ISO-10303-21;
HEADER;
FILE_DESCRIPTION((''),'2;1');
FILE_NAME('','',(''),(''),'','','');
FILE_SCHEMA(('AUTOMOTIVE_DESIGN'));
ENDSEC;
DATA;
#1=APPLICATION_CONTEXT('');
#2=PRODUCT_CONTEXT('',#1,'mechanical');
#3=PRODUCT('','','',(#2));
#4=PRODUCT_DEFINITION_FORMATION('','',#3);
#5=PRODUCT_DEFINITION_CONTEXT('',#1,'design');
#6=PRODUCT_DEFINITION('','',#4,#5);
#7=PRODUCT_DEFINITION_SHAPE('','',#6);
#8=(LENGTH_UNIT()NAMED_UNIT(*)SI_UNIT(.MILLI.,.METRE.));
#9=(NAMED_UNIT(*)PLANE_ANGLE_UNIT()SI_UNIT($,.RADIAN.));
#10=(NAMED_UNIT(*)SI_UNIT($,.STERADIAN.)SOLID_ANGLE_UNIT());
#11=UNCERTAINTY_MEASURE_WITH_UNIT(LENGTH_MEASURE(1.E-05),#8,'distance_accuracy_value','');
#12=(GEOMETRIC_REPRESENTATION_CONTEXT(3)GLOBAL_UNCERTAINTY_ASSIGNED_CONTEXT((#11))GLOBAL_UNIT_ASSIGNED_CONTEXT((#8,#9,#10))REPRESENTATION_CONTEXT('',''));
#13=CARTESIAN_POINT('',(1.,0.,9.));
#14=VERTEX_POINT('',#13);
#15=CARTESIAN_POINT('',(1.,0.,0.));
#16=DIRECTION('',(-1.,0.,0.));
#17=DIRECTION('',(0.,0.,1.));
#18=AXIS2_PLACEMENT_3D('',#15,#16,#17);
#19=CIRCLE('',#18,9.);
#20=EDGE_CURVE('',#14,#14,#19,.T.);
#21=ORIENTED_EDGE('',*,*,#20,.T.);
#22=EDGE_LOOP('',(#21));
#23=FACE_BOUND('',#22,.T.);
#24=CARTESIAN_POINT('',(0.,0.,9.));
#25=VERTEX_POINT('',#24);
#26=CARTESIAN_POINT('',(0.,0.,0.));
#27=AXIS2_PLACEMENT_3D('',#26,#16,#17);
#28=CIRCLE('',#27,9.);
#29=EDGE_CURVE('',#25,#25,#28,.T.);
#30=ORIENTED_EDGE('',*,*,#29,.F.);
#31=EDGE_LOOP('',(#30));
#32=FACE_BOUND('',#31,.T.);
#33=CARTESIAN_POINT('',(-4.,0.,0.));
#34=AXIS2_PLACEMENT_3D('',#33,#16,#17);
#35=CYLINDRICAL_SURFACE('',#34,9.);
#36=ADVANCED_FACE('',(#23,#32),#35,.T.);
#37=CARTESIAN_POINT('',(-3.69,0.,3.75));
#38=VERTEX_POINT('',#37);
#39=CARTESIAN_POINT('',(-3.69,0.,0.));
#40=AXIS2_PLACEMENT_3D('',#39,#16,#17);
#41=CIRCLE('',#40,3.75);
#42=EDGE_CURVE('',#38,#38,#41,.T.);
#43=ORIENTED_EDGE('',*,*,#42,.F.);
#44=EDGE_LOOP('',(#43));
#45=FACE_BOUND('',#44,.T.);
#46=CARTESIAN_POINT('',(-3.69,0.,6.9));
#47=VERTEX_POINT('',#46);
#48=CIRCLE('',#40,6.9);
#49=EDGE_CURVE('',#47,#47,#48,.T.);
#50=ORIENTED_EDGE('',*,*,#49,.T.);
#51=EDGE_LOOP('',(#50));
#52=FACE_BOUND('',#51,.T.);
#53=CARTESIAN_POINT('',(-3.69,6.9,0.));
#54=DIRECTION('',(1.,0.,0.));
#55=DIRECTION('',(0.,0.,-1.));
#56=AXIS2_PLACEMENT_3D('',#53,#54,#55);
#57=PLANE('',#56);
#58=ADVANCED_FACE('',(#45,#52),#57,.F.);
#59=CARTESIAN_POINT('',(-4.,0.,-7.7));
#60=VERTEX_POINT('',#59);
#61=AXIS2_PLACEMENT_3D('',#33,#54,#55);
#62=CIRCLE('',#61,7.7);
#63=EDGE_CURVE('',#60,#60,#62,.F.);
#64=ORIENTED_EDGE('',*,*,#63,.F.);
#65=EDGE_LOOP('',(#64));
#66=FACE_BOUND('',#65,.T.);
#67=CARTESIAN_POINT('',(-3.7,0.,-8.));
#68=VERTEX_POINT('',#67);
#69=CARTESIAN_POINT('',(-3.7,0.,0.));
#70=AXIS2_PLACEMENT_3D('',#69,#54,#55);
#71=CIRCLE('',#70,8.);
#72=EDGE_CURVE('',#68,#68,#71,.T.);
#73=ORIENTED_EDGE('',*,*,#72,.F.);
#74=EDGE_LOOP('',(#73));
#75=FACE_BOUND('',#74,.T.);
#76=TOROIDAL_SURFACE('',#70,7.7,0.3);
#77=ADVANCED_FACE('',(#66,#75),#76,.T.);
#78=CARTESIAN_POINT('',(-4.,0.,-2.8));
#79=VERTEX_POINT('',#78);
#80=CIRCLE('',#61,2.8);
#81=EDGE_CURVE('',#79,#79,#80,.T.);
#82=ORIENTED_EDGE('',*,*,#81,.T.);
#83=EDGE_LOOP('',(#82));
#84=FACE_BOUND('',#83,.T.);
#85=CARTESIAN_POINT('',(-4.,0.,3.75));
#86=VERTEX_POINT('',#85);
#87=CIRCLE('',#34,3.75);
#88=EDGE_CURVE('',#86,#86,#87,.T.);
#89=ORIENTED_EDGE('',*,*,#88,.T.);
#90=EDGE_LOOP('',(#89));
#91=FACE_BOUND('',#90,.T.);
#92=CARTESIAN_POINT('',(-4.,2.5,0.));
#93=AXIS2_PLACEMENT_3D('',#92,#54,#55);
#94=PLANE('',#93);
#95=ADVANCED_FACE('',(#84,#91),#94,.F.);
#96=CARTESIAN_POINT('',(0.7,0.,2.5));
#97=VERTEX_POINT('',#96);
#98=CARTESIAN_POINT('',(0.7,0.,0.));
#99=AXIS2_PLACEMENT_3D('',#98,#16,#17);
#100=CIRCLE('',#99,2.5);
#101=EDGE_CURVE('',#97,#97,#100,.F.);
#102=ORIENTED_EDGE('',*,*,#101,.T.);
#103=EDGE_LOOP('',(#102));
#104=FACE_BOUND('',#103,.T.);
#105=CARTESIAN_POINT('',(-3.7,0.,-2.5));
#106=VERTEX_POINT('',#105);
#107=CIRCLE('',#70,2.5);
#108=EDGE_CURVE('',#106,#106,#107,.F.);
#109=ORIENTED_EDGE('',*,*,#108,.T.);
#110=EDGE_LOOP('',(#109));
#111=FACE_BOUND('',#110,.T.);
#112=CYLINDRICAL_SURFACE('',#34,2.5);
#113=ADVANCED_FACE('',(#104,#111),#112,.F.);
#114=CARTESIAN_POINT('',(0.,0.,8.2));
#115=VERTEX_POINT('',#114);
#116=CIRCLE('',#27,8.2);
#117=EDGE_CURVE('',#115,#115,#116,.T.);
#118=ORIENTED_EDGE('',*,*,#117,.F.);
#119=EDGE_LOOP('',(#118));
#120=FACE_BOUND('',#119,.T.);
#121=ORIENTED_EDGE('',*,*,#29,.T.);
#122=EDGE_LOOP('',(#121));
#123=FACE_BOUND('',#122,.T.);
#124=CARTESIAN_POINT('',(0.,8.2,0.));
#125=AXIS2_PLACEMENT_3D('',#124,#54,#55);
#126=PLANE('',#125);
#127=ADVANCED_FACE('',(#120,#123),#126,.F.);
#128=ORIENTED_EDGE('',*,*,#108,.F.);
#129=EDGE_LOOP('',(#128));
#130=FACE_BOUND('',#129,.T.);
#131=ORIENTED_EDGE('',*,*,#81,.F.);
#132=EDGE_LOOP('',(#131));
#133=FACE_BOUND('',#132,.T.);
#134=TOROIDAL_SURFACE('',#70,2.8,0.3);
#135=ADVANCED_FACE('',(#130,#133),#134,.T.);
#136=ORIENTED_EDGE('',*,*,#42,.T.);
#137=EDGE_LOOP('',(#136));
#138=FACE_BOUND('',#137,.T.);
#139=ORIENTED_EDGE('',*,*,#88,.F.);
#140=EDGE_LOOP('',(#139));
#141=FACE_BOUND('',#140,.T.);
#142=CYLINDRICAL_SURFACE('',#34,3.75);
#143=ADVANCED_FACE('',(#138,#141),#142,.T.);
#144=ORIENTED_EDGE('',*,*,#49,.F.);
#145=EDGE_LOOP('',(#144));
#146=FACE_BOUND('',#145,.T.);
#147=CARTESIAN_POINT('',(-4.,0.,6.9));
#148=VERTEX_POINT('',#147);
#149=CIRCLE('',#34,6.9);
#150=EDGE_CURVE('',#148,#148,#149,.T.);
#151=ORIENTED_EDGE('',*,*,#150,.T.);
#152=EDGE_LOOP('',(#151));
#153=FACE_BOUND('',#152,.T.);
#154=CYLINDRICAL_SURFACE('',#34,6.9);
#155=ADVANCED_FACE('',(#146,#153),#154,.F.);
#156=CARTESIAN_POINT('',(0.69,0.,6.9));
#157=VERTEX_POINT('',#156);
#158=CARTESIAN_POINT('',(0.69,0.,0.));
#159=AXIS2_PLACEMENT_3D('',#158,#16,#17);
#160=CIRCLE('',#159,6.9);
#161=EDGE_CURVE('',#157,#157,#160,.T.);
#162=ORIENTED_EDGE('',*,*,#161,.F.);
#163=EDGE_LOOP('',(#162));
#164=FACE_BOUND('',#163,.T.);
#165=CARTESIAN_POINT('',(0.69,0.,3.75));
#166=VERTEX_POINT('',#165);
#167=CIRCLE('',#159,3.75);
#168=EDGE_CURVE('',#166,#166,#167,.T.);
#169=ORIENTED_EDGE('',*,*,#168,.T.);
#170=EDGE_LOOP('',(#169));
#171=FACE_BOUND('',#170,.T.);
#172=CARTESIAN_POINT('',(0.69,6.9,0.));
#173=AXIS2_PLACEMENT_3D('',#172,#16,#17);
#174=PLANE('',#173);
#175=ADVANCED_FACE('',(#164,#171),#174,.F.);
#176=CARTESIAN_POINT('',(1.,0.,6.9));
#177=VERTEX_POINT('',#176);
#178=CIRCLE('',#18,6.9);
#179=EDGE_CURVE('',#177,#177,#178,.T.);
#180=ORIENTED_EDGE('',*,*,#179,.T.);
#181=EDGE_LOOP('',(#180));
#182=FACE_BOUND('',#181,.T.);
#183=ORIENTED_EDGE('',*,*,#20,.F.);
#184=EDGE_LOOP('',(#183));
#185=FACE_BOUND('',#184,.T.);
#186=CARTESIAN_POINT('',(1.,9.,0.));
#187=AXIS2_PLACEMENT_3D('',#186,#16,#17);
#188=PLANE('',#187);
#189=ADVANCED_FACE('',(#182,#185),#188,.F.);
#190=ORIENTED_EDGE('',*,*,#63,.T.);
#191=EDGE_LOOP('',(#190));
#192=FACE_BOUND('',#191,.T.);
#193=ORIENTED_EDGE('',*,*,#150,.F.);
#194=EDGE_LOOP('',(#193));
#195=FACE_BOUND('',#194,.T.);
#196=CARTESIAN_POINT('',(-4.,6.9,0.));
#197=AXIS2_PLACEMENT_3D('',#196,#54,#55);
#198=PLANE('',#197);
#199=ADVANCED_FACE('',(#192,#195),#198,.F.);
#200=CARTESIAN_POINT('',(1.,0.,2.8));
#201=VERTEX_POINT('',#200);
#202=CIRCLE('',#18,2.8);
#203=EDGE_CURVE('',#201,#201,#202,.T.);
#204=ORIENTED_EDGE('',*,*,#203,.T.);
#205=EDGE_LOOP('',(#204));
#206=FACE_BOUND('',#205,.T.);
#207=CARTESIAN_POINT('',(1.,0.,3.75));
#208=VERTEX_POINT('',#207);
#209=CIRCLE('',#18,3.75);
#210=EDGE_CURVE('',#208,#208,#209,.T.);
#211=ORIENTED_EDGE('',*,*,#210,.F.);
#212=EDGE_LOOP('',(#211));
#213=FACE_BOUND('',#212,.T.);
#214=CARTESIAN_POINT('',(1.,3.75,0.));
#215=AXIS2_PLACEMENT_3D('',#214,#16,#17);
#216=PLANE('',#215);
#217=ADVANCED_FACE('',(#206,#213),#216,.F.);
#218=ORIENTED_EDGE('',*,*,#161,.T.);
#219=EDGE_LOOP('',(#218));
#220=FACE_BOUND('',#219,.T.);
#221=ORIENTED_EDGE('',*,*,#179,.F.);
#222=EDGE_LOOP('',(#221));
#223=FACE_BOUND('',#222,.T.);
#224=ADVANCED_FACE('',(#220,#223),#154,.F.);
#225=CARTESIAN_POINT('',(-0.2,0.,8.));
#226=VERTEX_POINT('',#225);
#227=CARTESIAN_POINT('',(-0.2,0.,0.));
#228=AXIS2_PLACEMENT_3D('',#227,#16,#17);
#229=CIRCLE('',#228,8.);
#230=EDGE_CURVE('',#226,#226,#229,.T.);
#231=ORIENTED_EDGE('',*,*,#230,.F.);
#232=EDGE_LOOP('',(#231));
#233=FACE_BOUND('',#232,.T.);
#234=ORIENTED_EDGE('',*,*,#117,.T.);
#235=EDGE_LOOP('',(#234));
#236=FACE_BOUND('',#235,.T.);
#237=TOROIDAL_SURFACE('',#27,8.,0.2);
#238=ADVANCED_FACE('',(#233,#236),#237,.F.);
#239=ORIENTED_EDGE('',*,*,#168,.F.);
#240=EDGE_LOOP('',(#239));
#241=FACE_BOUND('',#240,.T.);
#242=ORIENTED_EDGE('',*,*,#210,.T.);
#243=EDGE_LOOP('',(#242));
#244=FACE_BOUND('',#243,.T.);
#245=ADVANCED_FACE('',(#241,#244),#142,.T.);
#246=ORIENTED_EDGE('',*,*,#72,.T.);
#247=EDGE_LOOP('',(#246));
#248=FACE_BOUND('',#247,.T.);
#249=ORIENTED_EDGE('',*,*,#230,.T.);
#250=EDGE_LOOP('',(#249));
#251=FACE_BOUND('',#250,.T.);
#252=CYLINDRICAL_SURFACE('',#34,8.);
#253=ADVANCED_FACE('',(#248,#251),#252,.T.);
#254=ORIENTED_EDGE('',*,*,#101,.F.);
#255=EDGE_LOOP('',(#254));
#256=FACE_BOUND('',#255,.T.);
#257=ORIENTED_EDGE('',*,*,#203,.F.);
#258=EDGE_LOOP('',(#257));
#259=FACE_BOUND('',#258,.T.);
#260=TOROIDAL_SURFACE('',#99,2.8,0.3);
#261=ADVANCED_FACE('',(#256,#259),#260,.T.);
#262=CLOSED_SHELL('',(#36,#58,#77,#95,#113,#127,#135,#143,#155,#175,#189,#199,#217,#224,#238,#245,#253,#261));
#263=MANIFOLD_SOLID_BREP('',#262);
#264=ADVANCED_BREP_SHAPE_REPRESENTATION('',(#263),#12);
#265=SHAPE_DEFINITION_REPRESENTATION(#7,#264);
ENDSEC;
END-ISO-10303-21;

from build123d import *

# Parameters (mm, degrees)
FILLET1_R = 0.3


with BuildPart() as part:
    # Sketch1 → Revolve1 (revolve)
    with BuildSketch(Plane.XY):
        with BuildLine():
            Line((0, 8.2), (0, 9))
            Line((0, 9), (1, 9))
            Line((1, 9), (1, 6.9))
            Line((1, 6.9), (0.69, 6.9))
            Line((0.69, 6.9), (0.69, 3.75))
            Line((0.69, 3.75), (1, 3.75))
            Line((1, 3.75), (1, 2.5))
            Line((1, 2.5), (-4, 2.5))
            Line((-4, 2.5), (-4, 3.75))
            Line((-4, 3.75), (-3.69, 3.75))
            Line((-3.69, 3.75), (-3.69, 6.9))
            Line((-3.69, 6.9), (-4, 6.9))
            Line((-4, 6.9), (-4, 8))
            Line((-4, 8), (-0.2, 8))
            ThreePointArc((-0.2, 8), (0.141421356, 7.858578644), (0, 8.2))
        make_face()
    revolve(axis=Axis((-4, 0, 0), (1, 0, 0)))

    # Fillet1
    fillet1_edges = [part.edges().sort_by_distance(p)[0] for p in [
        (1, -2.5, 0),
        (-4, -2.5, 0),
        (-4, -8, 0),
    ]]
    fillet(fillet1_edges, radius=FILLET1_R)


solid = part.part
